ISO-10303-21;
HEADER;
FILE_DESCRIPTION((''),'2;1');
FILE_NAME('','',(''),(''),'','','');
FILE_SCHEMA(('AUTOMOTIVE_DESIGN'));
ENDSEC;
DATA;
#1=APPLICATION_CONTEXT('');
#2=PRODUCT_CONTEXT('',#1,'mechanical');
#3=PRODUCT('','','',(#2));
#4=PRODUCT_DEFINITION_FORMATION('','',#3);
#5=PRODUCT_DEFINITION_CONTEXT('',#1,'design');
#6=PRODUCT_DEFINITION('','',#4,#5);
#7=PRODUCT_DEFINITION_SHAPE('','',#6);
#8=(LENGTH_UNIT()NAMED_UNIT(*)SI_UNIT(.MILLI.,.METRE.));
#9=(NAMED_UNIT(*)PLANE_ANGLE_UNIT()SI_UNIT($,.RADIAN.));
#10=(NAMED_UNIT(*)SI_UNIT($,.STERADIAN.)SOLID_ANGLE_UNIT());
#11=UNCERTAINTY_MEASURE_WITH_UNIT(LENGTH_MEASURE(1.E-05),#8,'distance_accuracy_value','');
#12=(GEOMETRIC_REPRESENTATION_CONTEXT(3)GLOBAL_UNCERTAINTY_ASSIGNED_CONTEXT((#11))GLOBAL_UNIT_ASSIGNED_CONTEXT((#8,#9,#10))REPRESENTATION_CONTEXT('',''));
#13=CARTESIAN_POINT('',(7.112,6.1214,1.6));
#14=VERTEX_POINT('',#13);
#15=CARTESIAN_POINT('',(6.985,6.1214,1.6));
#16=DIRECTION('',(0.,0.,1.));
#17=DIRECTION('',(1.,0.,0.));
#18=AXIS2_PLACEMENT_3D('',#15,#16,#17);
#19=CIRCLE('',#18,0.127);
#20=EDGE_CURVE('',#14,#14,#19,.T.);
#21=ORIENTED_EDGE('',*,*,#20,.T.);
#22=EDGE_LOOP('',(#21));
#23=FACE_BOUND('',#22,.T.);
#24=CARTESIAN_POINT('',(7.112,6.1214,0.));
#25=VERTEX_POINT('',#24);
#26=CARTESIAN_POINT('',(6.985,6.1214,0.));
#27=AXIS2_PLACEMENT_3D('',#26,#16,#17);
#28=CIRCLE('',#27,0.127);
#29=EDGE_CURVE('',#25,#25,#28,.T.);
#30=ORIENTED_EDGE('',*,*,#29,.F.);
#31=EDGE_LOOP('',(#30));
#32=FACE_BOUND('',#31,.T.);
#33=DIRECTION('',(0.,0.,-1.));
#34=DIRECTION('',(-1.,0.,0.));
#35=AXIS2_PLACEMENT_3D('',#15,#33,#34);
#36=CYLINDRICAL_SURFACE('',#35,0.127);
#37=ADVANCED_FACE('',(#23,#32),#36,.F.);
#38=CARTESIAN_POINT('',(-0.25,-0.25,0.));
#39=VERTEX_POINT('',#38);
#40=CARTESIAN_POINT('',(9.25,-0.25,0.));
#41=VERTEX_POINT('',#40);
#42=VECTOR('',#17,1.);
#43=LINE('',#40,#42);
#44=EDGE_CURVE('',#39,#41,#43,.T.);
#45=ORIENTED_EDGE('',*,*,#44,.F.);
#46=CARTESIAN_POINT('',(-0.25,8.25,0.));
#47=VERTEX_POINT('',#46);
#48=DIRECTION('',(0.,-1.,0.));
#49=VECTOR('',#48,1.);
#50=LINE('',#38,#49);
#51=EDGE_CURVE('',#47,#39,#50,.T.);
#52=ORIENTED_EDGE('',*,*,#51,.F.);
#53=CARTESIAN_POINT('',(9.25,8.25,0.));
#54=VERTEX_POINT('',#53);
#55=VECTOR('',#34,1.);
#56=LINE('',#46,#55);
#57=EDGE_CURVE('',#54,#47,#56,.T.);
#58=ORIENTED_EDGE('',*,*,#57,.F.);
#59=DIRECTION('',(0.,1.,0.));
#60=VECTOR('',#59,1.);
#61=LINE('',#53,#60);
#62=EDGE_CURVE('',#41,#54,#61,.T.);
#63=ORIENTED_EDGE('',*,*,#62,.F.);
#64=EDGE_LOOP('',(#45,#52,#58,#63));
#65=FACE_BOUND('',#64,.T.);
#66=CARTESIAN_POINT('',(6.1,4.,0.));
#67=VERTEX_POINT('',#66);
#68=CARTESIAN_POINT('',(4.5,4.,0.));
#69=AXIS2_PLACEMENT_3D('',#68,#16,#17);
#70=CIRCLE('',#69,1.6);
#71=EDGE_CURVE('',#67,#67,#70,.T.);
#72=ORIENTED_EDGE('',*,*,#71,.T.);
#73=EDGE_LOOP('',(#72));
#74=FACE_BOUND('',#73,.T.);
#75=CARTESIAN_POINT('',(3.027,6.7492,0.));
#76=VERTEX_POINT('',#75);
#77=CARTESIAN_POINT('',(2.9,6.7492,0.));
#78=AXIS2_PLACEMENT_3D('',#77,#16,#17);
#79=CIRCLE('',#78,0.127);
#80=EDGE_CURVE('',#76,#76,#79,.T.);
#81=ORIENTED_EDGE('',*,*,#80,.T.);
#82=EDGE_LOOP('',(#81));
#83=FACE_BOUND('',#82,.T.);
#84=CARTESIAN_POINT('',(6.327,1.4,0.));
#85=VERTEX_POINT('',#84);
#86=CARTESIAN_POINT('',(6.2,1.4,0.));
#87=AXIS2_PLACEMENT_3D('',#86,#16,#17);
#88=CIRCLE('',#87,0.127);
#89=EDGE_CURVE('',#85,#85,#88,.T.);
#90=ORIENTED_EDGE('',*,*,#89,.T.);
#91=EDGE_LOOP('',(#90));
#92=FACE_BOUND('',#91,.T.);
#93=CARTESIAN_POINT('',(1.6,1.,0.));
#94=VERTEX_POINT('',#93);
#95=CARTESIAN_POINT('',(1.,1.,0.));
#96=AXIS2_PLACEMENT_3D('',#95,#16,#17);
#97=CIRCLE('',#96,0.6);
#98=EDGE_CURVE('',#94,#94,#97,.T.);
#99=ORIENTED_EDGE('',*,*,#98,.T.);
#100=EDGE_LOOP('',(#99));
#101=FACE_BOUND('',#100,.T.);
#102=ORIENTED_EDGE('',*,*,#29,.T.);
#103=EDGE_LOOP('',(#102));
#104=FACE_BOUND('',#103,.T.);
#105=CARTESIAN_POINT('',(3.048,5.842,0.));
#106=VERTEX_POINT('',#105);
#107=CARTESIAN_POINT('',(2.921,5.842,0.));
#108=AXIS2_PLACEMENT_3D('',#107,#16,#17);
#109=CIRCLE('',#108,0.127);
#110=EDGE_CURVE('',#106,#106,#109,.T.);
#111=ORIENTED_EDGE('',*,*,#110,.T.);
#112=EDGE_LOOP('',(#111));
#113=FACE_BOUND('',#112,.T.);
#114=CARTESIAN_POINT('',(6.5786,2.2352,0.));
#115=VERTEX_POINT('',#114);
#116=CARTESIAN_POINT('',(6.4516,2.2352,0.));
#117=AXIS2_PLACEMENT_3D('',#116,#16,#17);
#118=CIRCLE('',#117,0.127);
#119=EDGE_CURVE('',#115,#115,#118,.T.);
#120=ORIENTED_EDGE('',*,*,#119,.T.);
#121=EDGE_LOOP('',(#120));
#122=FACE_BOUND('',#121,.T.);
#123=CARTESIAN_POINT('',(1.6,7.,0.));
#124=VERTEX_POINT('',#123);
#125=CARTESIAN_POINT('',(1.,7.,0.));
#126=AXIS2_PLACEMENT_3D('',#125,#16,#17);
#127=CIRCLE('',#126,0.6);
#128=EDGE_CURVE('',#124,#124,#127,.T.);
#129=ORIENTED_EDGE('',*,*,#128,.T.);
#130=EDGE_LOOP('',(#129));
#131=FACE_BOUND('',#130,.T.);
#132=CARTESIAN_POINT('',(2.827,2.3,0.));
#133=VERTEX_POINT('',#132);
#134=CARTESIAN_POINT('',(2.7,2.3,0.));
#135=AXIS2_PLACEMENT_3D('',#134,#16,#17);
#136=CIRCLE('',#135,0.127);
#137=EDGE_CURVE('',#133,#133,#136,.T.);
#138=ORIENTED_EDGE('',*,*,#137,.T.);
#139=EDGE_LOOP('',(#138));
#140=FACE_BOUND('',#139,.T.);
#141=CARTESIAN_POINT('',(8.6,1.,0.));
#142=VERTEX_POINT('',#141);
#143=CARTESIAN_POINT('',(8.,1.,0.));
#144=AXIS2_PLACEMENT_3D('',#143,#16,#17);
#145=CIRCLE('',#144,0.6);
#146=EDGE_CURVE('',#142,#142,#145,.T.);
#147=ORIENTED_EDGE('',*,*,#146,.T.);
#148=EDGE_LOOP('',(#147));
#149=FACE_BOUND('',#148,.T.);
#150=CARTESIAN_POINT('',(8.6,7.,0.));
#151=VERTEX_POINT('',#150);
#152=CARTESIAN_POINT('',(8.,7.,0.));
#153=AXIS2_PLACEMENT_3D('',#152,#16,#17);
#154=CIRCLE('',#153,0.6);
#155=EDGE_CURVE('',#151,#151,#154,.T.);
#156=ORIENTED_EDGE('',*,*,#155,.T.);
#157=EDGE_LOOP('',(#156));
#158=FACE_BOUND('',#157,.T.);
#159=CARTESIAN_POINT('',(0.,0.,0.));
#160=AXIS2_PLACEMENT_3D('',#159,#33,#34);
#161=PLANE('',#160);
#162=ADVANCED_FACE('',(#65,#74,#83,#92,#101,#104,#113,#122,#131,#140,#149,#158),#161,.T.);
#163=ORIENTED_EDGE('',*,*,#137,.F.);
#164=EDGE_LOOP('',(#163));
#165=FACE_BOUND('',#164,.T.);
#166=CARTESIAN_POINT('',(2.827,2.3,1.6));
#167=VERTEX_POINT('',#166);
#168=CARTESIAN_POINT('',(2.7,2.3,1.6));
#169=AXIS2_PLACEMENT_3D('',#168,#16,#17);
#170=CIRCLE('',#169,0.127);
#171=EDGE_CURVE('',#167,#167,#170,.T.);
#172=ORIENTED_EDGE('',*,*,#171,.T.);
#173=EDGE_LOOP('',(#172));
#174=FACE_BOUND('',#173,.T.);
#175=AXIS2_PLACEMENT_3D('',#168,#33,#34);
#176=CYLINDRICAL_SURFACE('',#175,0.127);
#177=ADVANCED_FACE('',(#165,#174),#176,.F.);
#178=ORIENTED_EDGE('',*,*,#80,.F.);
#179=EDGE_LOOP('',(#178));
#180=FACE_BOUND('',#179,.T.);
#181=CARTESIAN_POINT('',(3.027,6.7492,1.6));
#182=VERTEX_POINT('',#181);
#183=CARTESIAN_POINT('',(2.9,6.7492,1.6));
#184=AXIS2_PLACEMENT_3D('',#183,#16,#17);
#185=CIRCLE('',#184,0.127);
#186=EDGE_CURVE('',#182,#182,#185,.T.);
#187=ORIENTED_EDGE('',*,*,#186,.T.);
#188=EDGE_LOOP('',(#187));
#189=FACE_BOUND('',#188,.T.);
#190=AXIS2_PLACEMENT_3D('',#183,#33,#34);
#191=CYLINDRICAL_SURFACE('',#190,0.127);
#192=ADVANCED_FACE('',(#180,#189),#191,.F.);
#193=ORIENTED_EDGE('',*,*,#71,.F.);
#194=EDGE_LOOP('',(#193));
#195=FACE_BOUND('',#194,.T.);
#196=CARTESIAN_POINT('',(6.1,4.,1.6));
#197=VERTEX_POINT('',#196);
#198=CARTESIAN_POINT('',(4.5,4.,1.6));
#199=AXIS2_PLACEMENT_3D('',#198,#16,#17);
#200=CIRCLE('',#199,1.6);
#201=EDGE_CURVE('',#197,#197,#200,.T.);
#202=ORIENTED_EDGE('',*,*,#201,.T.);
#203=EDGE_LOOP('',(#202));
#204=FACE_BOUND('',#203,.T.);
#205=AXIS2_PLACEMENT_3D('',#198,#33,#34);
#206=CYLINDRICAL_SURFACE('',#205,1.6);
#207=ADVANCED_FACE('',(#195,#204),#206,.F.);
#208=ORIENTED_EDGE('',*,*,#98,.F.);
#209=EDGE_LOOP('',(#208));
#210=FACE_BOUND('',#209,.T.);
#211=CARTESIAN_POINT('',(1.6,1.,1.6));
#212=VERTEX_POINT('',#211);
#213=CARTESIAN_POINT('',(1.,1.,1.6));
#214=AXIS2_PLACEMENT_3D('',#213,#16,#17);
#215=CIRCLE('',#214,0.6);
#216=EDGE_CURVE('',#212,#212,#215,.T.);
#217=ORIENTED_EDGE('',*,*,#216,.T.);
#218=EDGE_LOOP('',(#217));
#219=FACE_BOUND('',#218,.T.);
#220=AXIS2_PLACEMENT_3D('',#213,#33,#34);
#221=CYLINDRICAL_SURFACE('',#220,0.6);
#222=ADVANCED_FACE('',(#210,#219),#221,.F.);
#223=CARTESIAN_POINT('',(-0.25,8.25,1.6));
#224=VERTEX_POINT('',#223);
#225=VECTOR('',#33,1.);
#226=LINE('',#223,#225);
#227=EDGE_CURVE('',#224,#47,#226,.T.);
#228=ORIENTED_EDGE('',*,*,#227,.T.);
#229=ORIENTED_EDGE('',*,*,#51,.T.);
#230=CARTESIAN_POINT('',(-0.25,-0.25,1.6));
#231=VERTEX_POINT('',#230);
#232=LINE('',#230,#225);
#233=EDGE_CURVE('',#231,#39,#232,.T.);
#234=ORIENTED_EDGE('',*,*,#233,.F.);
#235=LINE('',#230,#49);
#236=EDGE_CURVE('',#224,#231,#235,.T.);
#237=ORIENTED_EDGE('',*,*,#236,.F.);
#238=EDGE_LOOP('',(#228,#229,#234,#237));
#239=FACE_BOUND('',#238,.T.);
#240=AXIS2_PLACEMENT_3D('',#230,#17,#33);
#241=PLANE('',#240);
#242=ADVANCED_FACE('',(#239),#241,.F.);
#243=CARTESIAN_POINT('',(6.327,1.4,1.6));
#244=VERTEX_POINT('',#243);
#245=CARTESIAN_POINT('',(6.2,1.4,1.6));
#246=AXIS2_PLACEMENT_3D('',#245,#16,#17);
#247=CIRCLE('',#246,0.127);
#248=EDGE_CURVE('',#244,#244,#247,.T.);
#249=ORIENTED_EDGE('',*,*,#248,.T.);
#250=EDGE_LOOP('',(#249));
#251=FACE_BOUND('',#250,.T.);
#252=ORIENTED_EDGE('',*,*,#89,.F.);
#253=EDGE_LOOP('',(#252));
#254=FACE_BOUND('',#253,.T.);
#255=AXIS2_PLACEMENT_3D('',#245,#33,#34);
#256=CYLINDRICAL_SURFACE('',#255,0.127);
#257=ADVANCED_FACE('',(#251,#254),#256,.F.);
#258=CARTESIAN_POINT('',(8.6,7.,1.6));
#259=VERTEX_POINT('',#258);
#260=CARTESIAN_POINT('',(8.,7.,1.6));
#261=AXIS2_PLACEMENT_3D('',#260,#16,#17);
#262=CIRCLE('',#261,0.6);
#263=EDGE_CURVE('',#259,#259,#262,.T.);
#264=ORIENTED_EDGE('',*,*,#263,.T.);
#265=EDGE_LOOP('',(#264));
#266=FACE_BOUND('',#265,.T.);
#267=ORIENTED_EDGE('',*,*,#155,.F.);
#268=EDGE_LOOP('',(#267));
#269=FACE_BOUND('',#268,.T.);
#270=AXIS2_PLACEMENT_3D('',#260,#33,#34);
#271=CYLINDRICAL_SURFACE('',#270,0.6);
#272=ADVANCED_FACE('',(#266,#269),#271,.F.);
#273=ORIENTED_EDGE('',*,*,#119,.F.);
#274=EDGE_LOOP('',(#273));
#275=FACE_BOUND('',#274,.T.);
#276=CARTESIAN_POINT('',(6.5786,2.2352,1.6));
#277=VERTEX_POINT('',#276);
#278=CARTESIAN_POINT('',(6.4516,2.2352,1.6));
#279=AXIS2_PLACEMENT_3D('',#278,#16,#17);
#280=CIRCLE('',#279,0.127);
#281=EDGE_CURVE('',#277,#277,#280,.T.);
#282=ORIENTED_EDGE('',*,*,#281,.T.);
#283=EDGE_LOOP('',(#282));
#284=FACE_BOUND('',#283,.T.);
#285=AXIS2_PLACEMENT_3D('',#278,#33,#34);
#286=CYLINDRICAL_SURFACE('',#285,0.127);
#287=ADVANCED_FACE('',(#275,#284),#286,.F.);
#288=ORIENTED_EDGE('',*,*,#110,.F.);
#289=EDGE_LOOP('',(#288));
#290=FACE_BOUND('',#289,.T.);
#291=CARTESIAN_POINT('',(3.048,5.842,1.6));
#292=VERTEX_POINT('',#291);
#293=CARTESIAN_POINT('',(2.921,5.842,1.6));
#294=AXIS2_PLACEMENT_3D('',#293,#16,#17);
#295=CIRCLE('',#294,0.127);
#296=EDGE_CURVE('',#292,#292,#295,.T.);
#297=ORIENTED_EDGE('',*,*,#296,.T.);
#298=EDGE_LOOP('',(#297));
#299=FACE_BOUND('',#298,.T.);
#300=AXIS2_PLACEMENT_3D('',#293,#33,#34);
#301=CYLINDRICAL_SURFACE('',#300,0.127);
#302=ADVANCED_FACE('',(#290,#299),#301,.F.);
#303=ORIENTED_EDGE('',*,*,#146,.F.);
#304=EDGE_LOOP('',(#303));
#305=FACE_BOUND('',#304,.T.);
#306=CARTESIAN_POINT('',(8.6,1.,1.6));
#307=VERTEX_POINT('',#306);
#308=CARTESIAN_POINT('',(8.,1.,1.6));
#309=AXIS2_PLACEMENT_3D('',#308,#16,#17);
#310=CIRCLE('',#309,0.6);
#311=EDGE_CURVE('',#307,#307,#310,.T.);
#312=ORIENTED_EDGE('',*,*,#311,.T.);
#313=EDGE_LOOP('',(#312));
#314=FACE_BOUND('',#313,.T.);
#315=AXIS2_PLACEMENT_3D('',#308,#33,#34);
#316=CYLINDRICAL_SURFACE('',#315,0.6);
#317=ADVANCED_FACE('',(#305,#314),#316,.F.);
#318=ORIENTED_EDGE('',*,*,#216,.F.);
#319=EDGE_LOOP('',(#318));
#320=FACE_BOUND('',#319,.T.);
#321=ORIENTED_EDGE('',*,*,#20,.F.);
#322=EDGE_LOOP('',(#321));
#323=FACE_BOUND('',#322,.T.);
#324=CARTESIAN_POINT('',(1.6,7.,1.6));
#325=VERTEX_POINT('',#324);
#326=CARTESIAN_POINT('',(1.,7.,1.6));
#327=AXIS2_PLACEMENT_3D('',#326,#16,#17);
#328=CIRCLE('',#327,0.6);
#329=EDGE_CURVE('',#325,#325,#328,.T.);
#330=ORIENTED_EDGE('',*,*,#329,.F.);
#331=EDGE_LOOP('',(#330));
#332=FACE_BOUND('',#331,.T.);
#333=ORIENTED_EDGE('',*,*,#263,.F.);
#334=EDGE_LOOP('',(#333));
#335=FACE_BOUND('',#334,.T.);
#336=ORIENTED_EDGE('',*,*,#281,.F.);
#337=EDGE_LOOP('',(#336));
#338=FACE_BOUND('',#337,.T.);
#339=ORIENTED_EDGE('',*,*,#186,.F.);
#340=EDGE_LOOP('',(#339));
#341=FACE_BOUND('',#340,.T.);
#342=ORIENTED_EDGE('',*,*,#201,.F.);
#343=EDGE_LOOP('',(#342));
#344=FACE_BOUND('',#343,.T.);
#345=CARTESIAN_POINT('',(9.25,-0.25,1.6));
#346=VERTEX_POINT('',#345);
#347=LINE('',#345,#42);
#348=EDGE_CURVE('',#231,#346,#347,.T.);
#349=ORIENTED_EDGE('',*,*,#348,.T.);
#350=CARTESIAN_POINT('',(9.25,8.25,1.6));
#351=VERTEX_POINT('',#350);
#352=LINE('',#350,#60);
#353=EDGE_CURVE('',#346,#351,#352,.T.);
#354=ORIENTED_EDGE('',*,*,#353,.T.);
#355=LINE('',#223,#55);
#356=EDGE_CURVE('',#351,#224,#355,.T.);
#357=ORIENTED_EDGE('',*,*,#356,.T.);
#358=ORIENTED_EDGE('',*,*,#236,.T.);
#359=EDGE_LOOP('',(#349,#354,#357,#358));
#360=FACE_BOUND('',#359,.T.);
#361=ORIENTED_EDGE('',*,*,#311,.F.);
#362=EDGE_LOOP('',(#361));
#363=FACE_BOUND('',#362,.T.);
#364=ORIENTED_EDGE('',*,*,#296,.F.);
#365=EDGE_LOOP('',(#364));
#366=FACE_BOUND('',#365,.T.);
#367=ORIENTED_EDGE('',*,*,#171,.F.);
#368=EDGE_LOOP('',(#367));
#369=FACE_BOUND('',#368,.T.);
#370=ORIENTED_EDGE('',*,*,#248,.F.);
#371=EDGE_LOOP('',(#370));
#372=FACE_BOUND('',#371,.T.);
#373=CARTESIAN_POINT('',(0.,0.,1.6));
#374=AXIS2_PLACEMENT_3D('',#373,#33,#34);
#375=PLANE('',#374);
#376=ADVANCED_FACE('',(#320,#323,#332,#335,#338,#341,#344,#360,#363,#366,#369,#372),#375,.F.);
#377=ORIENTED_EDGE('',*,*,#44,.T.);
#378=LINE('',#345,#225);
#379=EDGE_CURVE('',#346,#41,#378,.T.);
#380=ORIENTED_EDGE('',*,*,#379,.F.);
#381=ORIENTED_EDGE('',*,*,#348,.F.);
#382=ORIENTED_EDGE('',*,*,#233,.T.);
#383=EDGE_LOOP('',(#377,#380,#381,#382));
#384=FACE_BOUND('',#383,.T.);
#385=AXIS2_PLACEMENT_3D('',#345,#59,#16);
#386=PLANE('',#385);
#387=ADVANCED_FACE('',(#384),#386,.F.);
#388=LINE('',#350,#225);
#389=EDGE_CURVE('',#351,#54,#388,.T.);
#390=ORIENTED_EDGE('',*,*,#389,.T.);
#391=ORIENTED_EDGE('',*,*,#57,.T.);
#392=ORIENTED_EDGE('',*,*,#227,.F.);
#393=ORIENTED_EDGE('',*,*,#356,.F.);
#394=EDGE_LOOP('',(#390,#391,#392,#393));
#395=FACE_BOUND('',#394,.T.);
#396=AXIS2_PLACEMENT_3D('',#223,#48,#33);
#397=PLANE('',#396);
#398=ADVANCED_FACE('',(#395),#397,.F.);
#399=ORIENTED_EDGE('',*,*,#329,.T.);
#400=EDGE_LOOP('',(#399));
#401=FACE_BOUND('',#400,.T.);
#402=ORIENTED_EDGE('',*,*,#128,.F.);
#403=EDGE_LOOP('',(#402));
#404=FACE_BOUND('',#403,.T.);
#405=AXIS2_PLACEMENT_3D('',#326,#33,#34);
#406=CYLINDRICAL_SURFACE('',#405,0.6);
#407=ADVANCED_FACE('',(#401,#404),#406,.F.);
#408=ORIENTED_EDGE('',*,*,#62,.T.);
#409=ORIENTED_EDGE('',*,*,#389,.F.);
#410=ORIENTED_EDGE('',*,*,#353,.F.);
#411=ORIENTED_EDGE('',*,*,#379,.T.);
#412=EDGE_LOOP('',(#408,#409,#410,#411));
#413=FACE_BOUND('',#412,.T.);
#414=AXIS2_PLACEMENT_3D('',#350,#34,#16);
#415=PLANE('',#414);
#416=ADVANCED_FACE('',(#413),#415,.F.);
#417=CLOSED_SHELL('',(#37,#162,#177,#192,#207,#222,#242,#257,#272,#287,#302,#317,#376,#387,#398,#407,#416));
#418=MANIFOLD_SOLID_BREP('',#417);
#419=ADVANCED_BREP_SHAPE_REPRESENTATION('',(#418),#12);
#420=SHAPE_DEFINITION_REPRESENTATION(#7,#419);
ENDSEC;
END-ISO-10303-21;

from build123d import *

# Parameters (mm, degrees)
SKETCH1_W           = 9.5
SKETCH1_H           = 8.5
BOARD_OUTLINE_DEPTH = 1.6
SKETCH2_R           = 0.6
SKETCH2_R_2         = 1.6
SKETCH2_R_3         = 0.127
NPTH_DEPTH          = 13.49739973


with BuildPart() as part:
    # Sketch1 → Board_Outline (new body)
    with BuildSketch(Plane.XY):
        with Locations((4.5, 4)):
            Rectangle(SKETCH1_W, SKETCH1_H)
    extrude(amount=BOARD_OUTLINE_DEPTH)

    # Sketch2 → NPTH (cut, through all)
    with BuildSketch(Plane.XY):
        with Locations((8, 7)):
            Circle(SKETCH2_R)
        with Locations((1, 7)):
            Circle(SKETCH2_R)
        with Locations((1, 1)):
            Circle(SKETCH2_R)
        with Locations((8, 1)):
            Circle(SKETCH2_R)
        with Locations((4.5, 4)):
            Circle(SKETCH2_R_2)
        with Locations((2.7, 2.3)):
            Circle(SKETCH2_R_3)
        with Locations((6.2, 1.4)):
            Circle(SKETCH2_R_3)
        with Locations((2.9, 6.7492)):
            Circle(SKETCH2_R_3)
        with Locations((2.921, 5.842)):
            Circle(SKETCH2_R_3)
        with Locations((6.4516, 2.2352)):
            Circle(SKETCH2_R_3)
        with Locations((6.985, 6.1214)):
            Circle(SKETCH2_R_3)
    extrude(amount=NPTH_DEPTH, mode=Mode.SUBTRACT)


solid = part.part
